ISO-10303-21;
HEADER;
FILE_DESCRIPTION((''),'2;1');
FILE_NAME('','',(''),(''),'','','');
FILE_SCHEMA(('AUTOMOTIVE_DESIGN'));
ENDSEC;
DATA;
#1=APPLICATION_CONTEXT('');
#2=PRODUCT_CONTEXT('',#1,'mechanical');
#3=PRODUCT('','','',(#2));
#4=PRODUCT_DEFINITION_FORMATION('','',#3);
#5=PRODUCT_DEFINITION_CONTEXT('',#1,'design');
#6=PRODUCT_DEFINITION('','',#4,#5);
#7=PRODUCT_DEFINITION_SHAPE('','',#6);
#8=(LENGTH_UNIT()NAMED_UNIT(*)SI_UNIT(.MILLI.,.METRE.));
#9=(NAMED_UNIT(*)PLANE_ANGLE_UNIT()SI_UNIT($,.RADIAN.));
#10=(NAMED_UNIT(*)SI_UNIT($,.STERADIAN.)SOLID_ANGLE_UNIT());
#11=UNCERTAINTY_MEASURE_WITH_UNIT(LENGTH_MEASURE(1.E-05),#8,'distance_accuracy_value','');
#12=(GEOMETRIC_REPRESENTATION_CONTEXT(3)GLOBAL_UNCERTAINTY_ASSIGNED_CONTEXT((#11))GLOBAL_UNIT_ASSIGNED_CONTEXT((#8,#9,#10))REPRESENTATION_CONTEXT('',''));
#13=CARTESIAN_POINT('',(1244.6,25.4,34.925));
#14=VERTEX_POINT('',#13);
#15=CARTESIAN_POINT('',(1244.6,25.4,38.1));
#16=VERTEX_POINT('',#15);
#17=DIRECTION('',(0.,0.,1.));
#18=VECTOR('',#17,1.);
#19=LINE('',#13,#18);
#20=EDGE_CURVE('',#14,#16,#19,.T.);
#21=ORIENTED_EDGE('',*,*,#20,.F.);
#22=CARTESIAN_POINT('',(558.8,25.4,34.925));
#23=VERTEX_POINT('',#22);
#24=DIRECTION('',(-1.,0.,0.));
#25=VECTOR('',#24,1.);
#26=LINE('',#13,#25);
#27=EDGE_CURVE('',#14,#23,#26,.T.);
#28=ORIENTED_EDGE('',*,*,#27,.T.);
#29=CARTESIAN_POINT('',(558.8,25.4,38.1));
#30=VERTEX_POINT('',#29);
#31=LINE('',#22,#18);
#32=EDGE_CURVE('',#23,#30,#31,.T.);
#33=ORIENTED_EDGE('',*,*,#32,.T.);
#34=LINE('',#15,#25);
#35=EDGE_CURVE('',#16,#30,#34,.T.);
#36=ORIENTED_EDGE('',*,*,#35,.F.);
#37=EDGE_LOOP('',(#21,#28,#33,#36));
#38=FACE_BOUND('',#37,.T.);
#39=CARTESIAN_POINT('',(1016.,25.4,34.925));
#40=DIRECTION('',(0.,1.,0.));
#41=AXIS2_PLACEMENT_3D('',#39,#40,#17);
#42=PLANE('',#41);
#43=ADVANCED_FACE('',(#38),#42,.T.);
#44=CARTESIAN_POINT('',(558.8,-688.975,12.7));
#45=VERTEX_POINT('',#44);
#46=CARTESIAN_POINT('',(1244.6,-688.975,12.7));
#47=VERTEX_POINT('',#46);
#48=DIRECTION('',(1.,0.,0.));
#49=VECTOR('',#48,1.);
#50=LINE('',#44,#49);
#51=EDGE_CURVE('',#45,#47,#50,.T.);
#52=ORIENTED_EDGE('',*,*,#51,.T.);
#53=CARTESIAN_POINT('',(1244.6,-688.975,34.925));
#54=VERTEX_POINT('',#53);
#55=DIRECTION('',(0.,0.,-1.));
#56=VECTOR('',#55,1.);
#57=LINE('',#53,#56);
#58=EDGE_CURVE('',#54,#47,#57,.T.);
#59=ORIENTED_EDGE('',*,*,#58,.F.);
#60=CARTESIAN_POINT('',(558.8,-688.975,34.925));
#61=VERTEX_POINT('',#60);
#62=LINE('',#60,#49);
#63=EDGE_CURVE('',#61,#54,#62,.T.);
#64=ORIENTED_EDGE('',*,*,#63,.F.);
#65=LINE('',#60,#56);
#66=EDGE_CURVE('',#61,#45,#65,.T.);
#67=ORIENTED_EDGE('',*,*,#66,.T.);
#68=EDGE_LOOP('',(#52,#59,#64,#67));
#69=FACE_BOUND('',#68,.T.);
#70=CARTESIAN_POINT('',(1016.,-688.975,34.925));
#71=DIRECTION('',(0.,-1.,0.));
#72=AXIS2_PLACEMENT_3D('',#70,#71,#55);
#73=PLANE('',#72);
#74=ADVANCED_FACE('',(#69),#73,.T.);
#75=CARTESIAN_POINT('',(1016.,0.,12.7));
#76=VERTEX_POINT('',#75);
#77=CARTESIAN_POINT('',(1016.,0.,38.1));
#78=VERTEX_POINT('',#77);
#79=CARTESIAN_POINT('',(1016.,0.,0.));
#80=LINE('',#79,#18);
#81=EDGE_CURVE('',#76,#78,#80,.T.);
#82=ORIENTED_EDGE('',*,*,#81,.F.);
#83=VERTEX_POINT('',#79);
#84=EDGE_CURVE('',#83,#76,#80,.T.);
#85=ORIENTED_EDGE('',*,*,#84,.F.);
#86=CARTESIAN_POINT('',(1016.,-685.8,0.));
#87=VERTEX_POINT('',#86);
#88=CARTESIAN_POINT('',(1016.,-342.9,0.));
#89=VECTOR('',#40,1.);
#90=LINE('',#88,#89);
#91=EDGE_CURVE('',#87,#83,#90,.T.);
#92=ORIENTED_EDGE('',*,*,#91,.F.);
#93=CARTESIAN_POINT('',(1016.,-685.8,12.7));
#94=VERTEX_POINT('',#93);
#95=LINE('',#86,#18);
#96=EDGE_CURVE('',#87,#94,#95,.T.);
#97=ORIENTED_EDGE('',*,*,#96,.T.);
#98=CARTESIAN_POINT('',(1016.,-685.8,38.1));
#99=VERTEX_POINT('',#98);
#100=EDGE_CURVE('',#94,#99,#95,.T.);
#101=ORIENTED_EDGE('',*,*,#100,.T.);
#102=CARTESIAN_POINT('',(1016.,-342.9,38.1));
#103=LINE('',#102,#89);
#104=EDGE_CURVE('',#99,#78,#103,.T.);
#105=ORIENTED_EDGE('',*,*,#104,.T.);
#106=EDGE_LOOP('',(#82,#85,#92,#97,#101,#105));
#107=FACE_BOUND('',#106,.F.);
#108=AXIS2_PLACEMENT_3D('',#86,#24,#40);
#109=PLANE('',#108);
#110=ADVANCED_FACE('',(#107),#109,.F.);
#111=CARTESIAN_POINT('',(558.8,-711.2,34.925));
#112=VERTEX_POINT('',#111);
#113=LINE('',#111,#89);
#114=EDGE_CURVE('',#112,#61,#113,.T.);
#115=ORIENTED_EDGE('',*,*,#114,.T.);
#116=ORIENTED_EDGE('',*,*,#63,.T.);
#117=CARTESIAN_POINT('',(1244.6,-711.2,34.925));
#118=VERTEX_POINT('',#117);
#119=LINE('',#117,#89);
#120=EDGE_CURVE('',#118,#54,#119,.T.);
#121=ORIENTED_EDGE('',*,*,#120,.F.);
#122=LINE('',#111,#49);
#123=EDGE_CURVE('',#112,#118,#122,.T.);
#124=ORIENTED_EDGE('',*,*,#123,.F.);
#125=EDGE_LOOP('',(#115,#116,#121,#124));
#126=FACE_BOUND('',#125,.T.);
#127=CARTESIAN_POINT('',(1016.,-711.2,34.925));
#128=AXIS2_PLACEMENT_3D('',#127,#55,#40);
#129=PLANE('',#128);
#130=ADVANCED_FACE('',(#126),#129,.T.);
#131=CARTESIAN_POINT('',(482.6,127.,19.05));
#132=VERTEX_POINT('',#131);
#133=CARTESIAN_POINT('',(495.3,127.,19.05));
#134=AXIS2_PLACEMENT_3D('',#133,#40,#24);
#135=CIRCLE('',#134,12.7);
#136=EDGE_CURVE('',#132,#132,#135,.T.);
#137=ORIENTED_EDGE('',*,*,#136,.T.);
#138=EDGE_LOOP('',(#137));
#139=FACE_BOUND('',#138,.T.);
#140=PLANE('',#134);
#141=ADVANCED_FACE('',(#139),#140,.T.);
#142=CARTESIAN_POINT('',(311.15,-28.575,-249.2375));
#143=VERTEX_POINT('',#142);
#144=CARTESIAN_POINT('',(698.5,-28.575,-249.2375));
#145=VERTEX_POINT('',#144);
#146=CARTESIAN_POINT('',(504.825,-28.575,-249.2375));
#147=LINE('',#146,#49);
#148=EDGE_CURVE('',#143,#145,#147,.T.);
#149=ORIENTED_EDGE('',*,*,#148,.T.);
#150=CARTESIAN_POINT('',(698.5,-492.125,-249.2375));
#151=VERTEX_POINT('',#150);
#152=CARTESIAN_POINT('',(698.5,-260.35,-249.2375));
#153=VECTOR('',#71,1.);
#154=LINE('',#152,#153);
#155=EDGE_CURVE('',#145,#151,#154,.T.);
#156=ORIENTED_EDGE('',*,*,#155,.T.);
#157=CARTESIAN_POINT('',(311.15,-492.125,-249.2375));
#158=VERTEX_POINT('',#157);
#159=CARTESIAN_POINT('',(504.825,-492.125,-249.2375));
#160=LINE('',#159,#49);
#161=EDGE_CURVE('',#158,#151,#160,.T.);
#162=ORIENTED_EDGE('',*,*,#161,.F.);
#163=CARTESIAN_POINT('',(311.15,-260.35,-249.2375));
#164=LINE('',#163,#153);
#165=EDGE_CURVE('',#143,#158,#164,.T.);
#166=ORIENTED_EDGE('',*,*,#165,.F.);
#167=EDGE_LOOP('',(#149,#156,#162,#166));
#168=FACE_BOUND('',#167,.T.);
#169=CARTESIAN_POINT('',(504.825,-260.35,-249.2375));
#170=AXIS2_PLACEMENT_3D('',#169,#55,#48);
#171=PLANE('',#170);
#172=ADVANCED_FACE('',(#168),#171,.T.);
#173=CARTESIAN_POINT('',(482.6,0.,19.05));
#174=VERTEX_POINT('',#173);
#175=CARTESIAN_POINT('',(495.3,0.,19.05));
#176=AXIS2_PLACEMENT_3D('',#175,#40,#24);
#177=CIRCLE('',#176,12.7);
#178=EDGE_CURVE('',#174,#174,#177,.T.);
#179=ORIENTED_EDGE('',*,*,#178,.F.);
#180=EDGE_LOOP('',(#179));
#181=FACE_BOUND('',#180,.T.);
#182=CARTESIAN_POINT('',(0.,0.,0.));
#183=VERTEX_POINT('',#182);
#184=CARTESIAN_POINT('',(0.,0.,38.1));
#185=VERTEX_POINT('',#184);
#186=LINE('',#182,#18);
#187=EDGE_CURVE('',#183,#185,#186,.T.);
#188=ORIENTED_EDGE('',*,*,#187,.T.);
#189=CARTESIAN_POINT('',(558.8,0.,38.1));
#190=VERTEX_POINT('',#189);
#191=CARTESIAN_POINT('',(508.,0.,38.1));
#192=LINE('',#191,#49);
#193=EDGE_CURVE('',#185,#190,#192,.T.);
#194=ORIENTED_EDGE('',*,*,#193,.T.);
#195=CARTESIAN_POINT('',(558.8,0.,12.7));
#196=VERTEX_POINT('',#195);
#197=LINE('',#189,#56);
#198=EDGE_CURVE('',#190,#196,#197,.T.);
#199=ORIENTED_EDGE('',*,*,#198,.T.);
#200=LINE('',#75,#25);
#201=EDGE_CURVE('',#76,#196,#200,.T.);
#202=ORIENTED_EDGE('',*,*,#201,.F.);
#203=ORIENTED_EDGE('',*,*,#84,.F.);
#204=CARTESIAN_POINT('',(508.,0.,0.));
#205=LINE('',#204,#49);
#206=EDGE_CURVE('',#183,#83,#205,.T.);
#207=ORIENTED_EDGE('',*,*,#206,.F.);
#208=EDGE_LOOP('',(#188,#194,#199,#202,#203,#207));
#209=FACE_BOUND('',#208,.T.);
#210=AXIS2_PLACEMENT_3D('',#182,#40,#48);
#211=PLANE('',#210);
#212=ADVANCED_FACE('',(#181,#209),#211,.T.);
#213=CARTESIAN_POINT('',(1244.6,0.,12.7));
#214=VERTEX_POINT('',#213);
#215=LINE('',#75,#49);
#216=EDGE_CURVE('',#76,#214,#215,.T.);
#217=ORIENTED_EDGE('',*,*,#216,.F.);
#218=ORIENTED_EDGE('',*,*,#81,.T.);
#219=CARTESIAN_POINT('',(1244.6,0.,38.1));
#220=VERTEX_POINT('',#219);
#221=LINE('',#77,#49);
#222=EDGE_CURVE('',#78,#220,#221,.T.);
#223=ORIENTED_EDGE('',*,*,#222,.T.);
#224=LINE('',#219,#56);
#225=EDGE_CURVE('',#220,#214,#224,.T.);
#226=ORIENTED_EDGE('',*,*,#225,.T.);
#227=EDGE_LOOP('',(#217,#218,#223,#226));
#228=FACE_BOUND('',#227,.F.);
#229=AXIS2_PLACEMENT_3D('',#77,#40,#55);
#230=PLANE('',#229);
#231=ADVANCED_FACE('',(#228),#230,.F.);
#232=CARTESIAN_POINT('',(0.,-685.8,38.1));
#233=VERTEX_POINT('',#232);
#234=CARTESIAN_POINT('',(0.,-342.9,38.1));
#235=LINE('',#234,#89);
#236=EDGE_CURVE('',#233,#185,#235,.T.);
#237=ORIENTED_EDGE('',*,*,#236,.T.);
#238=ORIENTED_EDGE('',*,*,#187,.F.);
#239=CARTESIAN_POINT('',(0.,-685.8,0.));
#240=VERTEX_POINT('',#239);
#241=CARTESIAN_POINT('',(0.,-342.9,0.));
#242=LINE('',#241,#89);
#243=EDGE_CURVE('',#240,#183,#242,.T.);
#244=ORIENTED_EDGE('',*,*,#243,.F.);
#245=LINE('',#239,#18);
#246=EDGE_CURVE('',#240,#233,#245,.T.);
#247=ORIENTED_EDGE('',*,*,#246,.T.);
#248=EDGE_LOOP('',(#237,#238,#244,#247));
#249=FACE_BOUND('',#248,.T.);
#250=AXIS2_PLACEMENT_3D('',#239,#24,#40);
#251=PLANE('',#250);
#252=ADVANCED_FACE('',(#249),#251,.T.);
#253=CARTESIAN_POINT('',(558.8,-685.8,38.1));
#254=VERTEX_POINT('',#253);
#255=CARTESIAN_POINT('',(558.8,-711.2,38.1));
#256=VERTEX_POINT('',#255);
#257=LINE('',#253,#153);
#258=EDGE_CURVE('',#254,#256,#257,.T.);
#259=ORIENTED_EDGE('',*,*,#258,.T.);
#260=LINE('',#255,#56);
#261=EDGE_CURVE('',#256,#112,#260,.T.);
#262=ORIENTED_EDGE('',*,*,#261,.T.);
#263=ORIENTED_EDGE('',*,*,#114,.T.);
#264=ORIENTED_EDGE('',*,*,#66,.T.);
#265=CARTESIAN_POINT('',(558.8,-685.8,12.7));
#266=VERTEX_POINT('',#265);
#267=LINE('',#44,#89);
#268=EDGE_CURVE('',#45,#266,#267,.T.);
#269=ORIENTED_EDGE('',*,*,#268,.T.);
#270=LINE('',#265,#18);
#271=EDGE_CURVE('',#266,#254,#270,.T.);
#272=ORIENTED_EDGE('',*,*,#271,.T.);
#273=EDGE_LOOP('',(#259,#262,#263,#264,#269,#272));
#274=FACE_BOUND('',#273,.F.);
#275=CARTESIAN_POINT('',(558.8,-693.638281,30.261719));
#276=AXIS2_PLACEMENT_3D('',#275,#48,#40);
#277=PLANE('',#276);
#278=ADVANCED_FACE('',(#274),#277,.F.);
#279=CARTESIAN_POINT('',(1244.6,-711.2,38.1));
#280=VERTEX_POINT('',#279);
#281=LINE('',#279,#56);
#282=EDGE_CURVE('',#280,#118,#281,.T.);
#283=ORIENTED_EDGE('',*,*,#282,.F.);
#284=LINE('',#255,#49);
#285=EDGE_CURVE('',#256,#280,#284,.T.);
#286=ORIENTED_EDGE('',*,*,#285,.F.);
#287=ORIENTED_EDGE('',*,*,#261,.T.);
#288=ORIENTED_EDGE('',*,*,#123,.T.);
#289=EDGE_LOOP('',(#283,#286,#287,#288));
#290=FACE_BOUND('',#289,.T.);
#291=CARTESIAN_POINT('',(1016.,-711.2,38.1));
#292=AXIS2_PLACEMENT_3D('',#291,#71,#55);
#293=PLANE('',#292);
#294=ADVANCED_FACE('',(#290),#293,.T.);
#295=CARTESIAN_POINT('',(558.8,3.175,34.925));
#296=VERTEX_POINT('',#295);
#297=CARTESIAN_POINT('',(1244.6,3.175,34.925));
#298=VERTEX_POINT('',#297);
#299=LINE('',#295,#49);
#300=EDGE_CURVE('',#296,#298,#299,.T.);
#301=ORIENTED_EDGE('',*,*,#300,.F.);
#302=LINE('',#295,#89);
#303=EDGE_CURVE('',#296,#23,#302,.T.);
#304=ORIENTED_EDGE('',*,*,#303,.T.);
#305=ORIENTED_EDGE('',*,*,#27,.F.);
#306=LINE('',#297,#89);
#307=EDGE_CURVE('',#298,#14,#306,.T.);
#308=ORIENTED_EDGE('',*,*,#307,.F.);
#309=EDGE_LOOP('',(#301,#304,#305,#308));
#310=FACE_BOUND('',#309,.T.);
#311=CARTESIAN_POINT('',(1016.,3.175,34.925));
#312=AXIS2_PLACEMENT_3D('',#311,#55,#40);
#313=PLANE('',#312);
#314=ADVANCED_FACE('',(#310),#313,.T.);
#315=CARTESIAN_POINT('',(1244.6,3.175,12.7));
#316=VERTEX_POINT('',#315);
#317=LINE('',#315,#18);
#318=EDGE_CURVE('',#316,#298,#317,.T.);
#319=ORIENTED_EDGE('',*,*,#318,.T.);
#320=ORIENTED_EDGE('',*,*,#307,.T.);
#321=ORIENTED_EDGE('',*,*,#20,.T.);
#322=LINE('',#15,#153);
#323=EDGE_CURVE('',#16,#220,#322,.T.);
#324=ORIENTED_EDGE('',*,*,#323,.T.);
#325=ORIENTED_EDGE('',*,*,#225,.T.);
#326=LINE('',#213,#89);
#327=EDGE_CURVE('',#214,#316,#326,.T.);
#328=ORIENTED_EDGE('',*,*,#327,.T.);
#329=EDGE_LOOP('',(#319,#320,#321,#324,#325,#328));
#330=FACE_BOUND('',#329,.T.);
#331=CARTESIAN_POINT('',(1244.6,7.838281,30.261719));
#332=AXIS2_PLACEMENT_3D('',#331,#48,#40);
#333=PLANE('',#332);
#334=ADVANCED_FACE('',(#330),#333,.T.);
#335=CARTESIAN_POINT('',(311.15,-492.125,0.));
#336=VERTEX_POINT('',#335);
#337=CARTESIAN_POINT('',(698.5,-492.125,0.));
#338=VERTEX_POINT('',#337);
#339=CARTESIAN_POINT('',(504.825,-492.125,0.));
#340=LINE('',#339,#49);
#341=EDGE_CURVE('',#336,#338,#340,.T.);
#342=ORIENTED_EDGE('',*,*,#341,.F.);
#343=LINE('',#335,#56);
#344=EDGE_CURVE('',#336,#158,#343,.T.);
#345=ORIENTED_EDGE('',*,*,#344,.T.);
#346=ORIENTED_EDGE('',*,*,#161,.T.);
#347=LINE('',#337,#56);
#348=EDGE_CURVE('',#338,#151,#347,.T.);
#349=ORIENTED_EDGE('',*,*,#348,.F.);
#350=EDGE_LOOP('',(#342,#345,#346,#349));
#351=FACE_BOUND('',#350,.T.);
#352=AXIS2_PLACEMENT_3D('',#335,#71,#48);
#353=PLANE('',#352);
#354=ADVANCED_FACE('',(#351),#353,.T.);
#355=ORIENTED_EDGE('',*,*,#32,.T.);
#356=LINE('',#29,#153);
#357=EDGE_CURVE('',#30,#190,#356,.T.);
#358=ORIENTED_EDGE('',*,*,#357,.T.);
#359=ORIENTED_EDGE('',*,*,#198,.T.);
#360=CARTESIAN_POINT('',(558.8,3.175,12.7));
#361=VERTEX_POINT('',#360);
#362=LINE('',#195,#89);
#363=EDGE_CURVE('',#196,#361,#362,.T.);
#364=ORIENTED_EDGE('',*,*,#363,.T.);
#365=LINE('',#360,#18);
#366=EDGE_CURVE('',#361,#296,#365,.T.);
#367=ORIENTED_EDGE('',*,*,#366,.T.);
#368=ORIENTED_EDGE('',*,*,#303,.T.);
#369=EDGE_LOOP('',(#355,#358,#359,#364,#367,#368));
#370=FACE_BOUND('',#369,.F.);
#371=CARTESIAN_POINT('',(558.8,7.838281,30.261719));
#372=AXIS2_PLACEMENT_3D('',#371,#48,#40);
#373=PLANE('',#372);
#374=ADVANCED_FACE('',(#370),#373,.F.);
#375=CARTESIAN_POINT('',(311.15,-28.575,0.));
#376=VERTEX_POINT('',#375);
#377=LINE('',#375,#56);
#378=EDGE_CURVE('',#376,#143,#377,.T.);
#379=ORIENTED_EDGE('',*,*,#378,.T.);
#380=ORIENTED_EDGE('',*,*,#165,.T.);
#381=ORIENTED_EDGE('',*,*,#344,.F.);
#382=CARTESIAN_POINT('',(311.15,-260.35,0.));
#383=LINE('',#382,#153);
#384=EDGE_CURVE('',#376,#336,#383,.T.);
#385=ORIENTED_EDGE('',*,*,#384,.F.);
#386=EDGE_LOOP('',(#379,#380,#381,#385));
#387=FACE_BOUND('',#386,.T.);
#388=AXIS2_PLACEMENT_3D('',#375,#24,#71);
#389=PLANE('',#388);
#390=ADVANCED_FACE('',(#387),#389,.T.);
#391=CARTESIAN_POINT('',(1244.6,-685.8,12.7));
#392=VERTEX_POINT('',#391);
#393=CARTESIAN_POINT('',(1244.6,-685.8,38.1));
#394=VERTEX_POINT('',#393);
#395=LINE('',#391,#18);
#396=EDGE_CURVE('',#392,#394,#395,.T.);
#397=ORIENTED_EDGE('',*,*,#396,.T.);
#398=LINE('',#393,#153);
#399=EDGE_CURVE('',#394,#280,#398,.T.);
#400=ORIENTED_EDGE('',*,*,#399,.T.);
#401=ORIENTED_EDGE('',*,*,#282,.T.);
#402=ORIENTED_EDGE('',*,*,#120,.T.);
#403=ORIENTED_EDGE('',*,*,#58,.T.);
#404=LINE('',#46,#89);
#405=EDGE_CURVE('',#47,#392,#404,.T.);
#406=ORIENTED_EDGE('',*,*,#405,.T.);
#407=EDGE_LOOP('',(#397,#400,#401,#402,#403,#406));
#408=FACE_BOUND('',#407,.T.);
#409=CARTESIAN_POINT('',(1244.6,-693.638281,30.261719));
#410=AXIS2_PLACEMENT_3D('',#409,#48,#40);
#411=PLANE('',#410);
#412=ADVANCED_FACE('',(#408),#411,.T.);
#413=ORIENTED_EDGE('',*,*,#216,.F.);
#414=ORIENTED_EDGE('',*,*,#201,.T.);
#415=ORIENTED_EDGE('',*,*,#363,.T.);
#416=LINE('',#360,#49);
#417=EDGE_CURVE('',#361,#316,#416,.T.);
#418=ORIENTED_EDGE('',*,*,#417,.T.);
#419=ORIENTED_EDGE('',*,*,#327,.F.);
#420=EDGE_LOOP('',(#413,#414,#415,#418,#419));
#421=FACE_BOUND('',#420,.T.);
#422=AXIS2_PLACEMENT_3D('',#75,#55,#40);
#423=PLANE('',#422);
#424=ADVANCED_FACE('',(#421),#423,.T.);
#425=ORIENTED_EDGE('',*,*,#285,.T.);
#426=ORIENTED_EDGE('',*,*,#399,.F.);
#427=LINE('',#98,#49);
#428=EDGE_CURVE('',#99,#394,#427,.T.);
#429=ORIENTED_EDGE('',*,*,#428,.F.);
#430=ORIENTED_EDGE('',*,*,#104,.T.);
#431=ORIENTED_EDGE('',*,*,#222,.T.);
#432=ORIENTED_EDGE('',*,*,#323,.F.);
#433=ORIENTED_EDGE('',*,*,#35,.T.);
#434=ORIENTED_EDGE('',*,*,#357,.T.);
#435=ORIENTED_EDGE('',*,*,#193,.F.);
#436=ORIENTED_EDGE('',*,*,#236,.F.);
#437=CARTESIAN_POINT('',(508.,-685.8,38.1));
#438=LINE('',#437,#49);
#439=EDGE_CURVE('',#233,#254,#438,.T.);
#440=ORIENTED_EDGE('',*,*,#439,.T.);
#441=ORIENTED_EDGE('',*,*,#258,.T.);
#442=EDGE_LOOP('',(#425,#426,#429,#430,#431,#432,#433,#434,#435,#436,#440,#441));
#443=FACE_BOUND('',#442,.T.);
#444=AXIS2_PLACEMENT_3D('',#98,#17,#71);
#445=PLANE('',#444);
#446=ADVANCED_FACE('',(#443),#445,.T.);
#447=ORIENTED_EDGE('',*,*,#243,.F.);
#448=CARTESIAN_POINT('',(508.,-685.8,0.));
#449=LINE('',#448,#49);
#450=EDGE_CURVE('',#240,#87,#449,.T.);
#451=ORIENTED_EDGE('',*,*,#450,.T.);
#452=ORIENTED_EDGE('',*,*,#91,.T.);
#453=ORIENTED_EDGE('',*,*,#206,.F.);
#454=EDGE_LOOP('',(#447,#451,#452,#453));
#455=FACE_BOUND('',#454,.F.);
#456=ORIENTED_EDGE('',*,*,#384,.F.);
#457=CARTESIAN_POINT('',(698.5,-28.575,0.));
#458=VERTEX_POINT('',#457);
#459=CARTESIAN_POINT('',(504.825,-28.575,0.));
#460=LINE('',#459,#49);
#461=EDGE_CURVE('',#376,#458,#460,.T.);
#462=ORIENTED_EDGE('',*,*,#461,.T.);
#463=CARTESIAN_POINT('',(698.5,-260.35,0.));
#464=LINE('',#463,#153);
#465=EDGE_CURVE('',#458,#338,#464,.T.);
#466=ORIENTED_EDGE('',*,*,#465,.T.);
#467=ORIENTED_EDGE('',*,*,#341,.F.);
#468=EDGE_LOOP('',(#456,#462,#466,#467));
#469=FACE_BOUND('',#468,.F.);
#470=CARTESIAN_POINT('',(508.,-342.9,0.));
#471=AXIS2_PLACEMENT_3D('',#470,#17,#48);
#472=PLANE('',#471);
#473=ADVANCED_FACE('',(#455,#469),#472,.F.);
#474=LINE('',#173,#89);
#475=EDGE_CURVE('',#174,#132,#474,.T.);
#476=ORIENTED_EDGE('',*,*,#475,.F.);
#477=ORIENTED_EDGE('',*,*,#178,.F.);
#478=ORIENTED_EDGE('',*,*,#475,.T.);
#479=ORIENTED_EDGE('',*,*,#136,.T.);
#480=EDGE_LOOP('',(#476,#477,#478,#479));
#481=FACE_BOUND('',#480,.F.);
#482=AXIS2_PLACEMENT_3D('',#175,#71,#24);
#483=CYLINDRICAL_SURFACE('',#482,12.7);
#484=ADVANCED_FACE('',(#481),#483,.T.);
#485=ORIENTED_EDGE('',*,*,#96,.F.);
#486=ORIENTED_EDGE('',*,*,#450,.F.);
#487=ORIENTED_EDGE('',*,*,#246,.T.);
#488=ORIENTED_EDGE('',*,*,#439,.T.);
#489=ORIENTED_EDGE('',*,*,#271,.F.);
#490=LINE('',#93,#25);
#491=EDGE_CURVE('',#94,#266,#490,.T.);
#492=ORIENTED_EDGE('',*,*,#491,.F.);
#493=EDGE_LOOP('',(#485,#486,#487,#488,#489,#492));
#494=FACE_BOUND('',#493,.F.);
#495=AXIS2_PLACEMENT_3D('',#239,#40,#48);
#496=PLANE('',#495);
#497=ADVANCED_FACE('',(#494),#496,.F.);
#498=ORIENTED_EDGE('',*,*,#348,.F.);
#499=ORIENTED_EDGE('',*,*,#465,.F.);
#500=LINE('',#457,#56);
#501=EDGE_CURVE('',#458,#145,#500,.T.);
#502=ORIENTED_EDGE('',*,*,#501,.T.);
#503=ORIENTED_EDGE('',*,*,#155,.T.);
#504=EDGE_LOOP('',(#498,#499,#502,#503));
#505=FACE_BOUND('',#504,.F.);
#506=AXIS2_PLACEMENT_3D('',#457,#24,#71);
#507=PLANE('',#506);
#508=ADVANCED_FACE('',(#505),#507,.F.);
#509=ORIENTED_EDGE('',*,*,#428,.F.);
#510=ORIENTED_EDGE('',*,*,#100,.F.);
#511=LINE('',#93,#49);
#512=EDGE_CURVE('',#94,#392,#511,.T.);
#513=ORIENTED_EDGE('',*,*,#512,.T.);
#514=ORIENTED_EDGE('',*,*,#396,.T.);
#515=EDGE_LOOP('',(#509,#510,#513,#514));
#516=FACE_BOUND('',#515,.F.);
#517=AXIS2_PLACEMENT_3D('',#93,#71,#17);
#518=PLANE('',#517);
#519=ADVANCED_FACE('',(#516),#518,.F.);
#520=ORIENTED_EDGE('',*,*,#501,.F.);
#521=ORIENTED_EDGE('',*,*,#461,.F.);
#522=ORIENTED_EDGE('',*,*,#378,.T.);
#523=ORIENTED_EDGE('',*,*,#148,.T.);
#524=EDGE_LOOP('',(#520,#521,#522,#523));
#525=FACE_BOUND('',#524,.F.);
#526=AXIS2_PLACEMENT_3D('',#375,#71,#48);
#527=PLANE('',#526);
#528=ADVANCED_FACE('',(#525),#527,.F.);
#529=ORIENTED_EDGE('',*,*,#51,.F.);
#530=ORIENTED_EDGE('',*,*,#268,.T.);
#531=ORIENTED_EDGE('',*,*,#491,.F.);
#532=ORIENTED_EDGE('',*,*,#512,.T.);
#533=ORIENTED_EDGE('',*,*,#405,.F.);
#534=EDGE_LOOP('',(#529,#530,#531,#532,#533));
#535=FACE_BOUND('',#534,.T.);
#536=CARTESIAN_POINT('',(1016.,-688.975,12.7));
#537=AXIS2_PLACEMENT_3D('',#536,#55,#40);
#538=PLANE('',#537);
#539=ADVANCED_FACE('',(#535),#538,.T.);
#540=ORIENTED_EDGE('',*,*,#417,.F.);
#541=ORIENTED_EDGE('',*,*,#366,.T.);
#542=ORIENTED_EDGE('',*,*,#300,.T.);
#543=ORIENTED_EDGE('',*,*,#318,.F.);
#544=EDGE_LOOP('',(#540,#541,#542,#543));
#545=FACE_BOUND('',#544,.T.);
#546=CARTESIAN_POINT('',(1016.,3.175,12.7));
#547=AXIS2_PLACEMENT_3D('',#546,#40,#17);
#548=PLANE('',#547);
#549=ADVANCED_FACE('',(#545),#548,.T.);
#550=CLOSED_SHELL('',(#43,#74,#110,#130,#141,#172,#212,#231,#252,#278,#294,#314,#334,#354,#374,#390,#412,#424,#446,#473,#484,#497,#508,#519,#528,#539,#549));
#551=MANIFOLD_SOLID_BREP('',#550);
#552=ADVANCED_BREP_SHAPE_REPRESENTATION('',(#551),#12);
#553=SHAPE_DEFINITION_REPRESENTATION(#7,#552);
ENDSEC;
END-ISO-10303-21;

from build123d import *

# Parameters (mm, degrees)
F0_W          = 1016
F0_H          = 685.8
F1_DEPTH      = 38.1
F2_W          = 387.35
F2_H          = 463.55
F3_DEPTH      = 249.2375
F4_R          = 12.7
F5_DEPTH      = 127
F7_DEPTH      = 228.6
F7_DEPTH_BACK = 457.2


with BuildPart() as f1:
    # F0 (on Top) → F1 (new body)
    with BuildSketch(Plane.XY):
        with Locations((508, -342.9)):
            Rectangle(F0_W, F0_H)
    extrude(amount=F1_DEPTH)

    # F2 (on face) → F3 (join)
    with BuildSketch(Plane(origin=(0, 0, 0), x_dir=(1, 0, 0), z_dir=(0, 0, -1))):
        with Locations((504.825, 260.35)):
            Rectangle(F2_W, F2_H)
    extrude(amount=F3_DEPTH)

    # F4 (on face) → F5 (join)
    with BuildSketch(Plane(origin=(0, 0, 0), x_dir=(-1, 0, 0), z_dir=(0, 1, 0))):
        with Locations((-495.3, 19.05)):
            Circle(F4_R)
    extrude(amount=F5_DEPTH)

    # F6 (on face) → F7 (join, two sides)
    with BuildSketch(Plane.YZ.offset(1016)) as f7_sk:
        Polygon((-685.8, 12.7), (-685.8, 38.1), (-711.2, 38.1), (-711.2, 34.925), (-688.975, 34.925), (-688.975, 12.7), align=None)
        Polygon((25.4, 38.1), (0, 38.1), (0, 12.7), (3.175, 12.7), (3.175, 34.925), (25.4, 34.925), align=None)
    extrude(amount=F7_DEPTH)
    extrude(f7_sk.sketch, amount=-F7_DEPTH_BACK)


solid = f1.part
